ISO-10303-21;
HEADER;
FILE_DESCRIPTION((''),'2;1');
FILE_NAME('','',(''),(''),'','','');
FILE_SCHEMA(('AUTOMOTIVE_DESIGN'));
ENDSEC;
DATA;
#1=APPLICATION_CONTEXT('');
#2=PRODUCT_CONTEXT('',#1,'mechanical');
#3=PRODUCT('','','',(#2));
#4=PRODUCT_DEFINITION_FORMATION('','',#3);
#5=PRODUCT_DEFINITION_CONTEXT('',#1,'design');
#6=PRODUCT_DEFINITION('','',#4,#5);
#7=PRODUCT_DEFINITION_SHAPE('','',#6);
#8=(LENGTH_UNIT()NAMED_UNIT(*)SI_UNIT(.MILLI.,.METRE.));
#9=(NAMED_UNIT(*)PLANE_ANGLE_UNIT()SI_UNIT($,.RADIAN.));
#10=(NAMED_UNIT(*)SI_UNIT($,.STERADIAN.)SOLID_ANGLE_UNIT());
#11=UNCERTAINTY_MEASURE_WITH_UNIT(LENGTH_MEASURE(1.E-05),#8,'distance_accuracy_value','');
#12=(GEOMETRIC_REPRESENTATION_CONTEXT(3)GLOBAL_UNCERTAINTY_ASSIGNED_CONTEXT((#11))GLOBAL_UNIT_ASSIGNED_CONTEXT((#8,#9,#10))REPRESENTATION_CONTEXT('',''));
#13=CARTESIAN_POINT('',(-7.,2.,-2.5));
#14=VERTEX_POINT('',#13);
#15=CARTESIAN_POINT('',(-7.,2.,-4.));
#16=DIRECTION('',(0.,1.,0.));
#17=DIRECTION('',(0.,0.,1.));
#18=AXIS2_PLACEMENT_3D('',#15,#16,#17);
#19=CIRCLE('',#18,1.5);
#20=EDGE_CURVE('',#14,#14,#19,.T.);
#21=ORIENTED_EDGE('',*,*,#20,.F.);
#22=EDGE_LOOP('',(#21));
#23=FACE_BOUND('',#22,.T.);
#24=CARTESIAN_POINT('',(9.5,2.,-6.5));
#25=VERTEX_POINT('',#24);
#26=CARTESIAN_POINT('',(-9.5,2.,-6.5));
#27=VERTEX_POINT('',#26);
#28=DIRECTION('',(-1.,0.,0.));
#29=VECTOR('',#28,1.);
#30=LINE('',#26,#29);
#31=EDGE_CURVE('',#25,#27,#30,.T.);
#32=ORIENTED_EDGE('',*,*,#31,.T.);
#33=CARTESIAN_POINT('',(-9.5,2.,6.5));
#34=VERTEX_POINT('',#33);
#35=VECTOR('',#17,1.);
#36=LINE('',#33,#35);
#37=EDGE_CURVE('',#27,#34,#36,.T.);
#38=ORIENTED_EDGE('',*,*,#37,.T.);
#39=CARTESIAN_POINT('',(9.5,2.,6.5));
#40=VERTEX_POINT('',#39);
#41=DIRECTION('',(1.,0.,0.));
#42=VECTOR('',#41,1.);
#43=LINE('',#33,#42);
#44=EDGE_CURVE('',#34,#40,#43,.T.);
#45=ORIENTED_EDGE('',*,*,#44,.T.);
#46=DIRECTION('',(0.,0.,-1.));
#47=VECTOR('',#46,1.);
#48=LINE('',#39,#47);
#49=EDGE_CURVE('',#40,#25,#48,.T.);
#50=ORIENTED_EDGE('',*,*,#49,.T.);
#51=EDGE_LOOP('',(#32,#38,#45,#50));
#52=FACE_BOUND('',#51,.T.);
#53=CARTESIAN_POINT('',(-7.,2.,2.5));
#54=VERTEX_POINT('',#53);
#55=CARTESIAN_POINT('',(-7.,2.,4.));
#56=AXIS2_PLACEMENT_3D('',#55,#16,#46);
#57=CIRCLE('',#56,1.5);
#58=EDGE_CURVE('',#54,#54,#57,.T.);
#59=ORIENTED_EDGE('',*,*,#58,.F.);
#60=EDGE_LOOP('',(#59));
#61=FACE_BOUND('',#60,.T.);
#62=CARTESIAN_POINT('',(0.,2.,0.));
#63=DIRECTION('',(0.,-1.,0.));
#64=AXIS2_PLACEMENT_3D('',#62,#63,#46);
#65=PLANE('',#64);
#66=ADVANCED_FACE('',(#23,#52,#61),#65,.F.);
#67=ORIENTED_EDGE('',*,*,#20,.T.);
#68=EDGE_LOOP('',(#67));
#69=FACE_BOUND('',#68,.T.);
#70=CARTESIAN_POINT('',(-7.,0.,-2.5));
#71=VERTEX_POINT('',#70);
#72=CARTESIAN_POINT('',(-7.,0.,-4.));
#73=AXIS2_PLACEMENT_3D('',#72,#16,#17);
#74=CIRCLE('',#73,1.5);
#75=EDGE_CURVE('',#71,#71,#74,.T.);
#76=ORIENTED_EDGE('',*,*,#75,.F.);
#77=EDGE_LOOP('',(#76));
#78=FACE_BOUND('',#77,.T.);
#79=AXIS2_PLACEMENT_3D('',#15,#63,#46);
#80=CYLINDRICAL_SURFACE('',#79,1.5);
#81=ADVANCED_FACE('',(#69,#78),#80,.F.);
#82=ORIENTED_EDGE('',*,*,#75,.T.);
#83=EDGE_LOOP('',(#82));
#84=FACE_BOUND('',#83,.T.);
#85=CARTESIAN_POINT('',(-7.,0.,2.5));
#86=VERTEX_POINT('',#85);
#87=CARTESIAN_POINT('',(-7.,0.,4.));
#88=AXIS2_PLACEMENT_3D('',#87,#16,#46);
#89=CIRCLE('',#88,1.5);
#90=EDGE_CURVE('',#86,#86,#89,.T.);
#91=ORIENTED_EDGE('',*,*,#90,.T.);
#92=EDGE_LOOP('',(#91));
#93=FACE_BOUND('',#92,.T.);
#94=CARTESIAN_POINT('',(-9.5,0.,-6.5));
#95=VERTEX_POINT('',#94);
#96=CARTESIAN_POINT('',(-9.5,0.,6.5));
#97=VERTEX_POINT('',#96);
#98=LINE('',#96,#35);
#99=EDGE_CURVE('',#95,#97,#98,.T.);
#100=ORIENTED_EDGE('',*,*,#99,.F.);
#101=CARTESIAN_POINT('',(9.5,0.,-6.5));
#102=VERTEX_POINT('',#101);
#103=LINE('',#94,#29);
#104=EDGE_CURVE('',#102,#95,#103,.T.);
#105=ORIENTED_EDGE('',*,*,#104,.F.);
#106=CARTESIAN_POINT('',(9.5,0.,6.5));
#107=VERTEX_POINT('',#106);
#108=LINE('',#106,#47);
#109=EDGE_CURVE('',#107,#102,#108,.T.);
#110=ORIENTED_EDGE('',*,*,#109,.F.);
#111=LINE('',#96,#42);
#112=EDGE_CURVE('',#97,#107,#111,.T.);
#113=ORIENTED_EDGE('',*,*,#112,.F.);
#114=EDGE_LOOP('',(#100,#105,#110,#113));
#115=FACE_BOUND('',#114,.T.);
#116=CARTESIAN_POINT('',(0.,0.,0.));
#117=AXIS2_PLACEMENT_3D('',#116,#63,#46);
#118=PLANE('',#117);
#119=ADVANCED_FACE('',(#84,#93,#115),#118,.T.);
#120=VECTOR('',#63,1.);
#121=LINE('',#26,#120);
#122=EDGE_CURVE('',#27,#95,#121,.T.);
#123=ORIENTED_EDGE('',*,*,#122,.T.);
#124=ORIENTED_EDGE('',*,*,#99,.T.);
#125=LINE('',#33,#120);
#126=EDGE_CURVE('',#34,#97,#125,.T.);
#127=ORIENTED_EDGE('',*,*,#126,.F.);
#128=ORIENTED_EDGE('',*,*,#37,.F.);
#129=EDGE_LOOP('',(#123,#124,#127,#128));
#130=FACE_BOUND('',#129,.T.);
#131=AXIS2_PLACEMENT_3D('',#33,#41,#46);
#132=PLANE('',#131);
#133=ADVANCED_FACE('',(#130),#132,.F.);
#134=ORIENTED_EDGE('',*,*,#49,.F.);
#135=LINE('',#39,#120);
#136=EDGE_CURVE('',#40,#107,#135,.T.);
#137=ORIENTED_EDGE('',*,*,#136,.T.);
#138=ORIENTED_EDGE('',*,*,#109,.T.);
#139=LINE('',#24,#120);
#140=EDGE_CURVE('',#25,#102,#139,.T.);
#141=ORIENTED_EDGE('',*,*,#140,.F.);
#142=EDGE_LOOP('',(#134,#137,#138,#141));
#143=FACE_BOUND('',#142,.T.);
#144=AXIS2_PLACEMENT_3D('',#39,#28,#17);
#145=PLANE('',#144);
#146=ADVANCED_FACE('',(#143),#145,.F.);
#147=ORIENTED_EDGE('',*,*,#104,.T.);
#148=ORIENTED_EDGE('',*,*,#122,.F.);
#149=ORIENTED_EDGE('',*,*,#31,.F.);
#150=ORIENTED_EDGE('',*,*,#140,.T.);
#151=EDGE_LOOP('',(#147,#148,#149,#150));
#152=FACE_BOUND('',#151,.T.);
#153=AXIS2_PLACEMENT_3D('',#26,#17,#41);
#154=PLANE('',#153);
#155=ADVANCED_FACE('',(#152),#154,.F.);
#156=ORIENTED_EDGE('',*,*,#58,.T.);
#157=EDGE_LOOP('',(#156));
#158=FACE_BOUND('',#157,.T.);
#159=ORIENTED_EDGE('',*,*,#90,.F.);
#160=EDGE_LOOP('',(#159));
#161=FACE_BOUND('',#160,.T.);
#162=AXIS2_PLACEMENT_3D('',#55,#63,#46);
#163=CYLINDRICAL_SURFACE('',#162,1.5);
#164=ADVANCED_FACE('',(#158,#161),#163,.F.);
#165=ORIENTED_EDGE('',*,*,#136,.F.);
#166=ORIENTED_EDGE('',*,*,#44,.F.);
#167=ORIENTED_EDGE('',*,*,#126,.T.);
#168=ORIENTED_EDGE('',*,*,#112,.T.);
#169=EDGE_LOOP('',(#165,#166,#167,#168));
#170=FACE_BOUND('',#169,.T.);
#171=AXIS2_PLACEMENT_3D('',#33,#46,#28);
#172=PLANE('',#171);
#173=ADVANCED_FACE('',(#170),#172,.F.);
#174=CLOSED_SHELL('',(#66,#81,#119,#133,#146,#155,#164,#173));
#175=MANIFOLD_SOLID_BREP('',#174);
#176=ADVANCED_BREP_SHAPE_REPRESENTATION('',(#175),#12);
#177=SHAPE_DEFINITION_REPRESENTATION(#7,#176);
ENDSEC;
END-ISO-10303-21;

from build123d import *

# Parameters (mm, degrees)
SKETCH1_W           = 19
SKETCH1_H           = 13
SKETCH1_R           = 1.5
BOSS_EXTRUDE1_DEPTH = 2


with BuildPart() as part:
    # Sketch1 → Boss-Extrude1 (new body)
    with BuildSketch(Plane(origin=(0, 0, 0), x_dir=(1, 0, 0), z_dir=(0, 1, 0))):
        Rectangle(SKETCH1_W, SKETCH1_H)
        with Locations(Location((-7, 4, 0), (0, 0, 270))):
            Circle(SKETCH1_R, mode=Mode.SUBTRACT)
        with Locations(Location((-7, -4, 0), (0, 0, 90))):
            Circle(SKETCH1_R, mode=Mode.SUBTRACT)
    extrude(amount=BOSS_EXTRUDE1_DEPTH)


solid = part.part
